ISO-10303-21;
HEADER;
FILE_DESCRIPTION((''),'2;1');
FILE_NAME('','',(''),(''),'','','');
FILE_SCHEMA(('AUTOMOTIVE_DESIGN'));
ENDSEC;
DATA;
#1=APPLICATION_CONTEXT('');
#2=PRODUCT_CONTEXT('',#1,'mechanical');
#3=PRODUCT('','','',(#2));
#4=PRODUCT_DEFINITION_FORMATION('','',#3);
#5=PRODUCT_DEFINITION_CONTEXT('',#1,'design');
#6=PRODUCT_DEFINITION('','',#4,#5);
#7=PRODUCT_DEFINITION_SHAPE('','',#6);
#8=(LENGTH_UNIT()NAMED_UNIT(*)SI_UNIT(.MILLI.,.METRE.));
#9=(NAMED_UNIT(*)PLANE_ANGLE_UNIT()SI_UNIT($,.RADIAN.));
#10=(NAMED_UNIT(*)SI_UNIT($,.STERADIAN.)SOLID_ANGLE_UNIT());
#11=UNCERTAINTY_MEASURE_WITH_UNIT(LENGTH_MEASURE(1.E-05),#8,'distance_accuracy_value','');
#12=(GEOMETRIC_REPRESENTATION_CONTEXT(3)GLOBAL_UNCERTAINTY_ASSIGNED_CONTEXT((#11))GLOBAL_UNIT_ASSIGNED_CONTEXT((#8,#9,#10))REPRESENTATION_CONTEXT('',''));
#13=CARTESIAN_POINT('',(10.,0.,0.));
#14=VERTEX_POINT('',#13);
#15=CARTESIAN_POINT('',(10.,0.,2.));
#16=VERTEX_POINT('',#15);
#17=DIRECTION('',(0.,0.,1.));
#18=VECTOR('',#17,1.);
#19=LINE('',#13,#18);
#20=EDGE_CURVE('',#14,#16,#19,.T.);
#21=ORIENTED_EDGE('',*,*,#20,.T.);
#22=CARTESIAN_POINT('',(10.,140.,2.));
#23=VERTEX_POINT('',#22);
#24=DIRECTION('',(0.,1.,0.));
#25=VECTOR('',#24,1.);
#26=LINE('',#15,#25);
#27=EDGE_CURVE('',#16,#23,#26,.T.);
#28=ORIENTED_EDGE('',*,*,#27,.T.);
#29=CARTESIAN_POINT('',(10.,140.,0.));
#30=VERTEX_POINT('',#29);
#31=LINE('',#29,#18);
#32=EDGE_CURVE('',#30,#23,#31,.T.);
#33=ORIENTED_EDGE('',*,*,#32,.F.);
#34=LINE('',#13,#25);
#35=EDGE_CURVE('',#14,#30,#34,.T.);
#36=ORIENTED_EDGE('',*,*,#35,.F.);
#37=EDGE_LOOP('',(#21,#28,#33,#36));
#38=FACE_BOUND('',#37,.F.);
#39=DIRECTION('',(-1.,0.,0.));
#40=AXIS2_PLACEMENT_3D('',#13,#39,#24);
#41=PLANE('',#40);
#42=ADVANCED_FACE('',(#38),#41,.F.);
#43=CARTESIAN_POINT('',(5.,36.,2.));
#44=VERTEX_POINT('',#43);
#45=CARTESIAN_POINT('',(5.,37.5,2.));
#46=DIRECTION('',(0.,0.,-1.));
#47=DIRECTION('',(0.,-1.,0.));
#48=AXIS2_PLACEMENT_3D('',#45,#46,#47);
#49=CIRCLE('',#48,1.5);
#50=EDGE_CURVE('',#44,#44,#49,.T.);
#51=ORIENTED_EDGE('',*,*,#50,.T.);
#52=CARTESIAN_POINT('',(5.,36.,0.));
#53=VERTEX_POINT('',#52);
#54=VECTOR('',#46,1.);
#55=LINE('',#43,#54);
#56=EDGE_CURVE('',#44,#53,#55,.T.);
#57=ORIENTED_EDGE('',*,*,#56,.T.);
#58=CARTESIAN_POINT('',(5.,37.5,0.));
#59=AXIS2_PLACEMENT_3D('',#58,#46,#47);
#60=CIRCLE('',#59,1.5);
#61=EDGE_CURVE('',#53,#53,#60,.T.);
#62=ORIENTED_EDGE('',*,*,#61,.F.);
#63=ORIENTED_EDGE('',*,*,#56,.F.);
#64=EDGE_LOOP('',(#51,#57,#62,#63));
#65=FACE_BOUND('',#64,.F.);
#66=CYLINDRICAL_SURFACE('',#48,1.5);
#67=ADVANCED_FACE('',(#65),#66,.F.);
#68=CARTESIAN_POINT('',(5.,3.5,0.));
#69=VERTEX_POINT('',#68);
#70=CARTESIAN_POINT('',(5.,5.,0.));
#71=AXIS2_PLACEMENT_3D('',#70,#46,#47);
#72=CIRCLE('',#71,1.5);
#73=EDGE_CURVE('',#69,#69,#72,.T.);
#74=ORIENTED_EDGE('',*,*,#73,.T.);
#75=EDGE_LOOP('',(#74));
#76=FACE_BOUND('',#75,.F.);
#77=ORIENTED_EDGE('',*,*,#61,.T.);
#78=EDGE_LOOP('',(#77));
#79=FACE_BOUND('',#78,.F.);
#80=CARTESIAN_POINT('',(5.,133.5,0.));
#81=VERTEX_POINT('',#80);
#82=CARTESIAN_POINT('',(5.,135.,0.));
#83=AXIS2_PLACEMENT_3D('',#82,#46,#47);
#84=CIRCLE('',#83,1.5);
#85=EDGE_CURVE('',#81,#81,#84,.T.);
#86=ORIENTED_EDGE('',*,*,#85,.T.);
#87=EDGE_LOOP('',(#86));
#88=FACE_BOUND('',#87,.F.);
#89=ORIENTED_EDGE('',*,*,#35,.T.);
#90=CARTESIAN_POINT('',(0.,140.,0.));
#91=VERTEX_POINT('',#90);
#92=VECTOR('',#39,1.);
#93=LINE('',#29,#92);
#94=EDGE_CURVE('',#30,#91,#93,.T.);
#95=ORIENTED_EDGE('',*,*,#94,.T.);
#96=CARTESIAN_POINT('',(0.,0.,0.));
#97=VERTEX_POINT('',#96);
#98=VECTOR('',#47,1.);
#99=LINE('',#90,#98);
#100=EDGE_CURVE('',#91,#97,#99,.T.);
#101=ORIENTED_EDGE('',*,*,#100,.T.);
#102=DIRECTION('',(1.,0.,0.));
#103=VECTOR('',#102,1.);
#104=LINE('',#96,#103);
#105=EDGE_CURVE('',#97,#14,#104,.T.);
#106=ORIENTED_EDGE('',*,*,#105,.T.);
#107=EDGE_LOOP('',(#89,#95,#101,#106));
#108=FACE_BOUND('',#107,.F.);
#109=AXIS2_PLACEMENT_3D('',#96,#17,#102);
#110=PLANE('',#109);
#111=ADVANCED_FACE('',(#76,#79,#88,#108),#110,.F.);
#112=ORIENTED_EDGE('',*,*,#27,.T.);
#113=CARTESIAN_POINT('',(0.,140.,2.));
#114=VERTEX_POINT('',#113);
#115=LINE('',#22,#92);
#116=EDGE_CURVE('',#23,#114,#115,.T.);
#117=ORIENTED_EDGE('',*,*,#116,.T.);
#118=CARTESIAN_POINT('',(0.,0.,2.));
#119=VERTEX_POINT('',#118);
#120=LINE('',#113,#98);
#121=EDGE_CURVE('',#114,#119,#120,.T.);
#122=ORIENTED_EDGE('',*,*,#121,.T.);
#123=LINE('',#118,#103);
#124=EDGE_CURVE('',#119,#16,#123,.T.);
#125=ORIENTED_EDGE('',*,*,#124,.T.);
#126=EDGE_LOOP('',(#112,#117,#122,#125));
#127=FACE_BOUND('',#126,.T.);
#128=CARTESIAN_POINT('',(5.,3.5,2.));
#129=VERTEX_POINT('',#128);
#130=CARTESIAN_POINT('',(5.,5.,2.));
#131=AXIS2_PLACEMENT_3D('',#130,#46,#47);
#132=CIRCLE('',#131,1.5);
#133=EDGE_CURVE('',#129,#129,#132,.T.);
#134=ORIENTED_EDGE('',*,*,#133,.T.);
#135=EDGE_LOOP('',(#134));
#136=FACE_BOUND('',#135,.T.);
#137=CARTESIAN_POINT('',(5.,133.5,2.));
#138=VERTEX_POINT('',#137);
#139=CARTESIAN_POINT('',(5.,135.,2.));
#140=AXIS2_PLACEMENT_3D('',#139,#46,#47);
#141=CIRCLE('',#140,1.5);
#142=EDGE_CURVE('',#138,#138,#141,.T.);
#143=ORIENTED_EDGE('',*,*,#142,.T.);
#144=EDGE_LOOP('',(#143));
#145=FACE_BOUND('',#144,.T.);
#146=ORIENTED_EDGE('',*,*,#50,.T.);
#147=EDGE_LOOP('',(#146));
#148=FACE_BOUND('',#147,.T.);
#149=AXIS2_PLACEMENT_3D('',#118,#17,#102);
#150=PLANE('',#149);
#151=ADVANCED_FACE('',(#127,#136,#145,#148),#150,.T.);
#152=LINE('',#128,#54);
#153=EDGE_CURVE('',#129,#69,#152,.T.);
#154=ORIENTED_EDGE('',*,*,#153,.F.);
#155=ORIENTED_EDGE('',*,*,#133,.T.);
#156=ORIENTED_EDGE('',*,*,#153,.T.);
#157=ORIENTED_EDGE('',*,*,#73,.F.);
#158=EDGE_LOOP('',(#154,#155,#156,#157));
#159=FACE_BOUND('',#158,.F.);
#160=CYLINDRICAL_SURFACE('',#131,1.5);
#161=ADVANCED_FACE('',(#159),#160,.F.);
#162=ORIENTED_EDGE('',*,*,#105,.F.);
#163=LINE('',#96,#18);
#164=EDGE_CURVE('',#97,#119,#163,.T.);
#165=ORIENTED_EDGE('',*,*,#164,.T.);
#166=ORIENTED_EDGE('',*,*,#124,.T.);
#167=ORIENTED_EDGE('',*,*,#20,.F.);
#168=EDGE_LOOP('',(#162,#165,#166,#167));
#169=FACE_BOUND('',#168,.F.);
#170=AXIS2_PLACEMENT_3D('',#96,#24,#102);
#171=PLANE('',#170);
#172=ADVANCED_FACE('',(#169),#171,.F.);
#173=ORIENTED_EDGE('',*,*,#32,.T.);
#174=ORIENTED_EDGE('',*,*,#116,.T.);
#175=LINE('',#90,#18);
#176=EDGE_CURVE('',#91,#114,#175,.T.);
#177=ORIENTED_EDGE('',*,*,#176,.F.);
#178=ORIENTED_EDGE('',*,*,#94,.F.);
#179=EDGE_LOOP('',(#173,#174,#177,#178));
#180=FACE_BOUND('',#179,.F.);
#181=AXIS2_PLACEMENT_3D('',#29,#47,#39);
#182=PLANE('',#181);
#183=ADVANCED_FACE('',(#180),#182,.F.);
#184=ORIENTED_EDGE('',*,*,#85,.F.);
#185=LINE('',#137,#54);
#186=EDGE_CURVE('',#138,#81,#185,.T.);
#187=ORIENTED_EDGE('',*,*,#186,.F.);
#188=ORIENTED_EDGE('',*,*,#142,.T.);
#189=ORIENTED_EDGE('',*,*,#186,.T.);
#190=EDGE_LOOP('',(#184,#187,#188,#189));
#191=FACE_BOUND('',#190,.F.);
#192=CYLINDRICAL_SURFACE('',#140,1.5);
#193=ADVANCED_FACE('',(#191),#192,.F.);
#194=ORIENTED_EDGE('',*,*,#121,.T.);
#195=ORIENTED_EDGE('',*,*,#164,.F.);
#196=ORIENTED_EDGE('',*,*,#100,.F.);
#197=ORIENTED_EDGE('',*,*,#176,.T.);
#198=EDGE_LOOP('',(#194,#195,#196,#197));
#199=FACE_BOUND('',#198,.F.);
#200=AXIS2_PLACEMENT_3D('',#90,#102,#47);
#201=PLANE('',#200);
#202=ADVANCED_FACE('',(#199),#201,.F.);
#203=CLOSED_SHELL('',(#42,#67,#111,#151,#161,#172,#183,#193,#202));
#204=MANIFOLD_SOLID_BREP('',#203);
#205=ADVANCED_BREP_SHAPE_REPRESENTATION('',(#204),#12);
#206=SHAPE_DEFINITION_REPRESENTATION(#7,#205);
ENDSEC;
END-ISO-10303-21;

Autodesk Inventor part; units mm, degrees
ref_plane "YZ Plane" through (0, 0, 0) normal (1, 0, 0) x (0, 1, 0)
ref_plane "XZ Plane" through (0, 0, 0) normal (0, 1, 0) x (-1, 0, 0)
ref_plane "XY Plane" through (0, 0, 0) normal (0, 0, 1) x (1, 0, 0)
sketch "スケッチ1" plane through (0, 0, 0) normal (0, 0, 1) x (1, 0, 0)
  line L0 (0, 0) -> (10, 0)
  line L1 (10, 0) -> (10, 140)
  line L2 (10, 140) -> (0, 140)
  line L3 (0, 140) -> (0, 0)
  dimension "d0" = 10
  dimension "d1" = 140
extrude "押し出し1" add sketch "スケッチ1" along normal blind 2
sketch "スケッチ2" plane through (0, 0, 2) normal (0, 0, 1) x (1, 0, 0)
  line L0 (10, 0) -> (10, 140) projected
  line L1 (0, 0) -> (10, 0) projected
  line L2 (10, 140) -> (0, 140) projected
  point P0 (5, 5)
  point P1 (5, 135)
  dimension "d4" = 5
  dimension "d5" = 5
  dimension "d6" = 5
  dimension "d7" = 5
hole "穴1" at (5, 5, 2) at (5, 135, 2) direction (0, 0, -1) diameter 3 end through all
sketch "スケッチ3" plane through (0, 0, 2) normal (0, 0, 1) x (1, 0, 0)
  circle A0 centre (5, 5) radius 1.5 projected
  point P0 (0, 0)
  point P1 (5, 37.5)
  dimension "d15" = 32.5
hole "穴2" at (5, 37.5, 2) direction (0, 0, -1) diameter 3 end through all
properties part number "レール接続"
